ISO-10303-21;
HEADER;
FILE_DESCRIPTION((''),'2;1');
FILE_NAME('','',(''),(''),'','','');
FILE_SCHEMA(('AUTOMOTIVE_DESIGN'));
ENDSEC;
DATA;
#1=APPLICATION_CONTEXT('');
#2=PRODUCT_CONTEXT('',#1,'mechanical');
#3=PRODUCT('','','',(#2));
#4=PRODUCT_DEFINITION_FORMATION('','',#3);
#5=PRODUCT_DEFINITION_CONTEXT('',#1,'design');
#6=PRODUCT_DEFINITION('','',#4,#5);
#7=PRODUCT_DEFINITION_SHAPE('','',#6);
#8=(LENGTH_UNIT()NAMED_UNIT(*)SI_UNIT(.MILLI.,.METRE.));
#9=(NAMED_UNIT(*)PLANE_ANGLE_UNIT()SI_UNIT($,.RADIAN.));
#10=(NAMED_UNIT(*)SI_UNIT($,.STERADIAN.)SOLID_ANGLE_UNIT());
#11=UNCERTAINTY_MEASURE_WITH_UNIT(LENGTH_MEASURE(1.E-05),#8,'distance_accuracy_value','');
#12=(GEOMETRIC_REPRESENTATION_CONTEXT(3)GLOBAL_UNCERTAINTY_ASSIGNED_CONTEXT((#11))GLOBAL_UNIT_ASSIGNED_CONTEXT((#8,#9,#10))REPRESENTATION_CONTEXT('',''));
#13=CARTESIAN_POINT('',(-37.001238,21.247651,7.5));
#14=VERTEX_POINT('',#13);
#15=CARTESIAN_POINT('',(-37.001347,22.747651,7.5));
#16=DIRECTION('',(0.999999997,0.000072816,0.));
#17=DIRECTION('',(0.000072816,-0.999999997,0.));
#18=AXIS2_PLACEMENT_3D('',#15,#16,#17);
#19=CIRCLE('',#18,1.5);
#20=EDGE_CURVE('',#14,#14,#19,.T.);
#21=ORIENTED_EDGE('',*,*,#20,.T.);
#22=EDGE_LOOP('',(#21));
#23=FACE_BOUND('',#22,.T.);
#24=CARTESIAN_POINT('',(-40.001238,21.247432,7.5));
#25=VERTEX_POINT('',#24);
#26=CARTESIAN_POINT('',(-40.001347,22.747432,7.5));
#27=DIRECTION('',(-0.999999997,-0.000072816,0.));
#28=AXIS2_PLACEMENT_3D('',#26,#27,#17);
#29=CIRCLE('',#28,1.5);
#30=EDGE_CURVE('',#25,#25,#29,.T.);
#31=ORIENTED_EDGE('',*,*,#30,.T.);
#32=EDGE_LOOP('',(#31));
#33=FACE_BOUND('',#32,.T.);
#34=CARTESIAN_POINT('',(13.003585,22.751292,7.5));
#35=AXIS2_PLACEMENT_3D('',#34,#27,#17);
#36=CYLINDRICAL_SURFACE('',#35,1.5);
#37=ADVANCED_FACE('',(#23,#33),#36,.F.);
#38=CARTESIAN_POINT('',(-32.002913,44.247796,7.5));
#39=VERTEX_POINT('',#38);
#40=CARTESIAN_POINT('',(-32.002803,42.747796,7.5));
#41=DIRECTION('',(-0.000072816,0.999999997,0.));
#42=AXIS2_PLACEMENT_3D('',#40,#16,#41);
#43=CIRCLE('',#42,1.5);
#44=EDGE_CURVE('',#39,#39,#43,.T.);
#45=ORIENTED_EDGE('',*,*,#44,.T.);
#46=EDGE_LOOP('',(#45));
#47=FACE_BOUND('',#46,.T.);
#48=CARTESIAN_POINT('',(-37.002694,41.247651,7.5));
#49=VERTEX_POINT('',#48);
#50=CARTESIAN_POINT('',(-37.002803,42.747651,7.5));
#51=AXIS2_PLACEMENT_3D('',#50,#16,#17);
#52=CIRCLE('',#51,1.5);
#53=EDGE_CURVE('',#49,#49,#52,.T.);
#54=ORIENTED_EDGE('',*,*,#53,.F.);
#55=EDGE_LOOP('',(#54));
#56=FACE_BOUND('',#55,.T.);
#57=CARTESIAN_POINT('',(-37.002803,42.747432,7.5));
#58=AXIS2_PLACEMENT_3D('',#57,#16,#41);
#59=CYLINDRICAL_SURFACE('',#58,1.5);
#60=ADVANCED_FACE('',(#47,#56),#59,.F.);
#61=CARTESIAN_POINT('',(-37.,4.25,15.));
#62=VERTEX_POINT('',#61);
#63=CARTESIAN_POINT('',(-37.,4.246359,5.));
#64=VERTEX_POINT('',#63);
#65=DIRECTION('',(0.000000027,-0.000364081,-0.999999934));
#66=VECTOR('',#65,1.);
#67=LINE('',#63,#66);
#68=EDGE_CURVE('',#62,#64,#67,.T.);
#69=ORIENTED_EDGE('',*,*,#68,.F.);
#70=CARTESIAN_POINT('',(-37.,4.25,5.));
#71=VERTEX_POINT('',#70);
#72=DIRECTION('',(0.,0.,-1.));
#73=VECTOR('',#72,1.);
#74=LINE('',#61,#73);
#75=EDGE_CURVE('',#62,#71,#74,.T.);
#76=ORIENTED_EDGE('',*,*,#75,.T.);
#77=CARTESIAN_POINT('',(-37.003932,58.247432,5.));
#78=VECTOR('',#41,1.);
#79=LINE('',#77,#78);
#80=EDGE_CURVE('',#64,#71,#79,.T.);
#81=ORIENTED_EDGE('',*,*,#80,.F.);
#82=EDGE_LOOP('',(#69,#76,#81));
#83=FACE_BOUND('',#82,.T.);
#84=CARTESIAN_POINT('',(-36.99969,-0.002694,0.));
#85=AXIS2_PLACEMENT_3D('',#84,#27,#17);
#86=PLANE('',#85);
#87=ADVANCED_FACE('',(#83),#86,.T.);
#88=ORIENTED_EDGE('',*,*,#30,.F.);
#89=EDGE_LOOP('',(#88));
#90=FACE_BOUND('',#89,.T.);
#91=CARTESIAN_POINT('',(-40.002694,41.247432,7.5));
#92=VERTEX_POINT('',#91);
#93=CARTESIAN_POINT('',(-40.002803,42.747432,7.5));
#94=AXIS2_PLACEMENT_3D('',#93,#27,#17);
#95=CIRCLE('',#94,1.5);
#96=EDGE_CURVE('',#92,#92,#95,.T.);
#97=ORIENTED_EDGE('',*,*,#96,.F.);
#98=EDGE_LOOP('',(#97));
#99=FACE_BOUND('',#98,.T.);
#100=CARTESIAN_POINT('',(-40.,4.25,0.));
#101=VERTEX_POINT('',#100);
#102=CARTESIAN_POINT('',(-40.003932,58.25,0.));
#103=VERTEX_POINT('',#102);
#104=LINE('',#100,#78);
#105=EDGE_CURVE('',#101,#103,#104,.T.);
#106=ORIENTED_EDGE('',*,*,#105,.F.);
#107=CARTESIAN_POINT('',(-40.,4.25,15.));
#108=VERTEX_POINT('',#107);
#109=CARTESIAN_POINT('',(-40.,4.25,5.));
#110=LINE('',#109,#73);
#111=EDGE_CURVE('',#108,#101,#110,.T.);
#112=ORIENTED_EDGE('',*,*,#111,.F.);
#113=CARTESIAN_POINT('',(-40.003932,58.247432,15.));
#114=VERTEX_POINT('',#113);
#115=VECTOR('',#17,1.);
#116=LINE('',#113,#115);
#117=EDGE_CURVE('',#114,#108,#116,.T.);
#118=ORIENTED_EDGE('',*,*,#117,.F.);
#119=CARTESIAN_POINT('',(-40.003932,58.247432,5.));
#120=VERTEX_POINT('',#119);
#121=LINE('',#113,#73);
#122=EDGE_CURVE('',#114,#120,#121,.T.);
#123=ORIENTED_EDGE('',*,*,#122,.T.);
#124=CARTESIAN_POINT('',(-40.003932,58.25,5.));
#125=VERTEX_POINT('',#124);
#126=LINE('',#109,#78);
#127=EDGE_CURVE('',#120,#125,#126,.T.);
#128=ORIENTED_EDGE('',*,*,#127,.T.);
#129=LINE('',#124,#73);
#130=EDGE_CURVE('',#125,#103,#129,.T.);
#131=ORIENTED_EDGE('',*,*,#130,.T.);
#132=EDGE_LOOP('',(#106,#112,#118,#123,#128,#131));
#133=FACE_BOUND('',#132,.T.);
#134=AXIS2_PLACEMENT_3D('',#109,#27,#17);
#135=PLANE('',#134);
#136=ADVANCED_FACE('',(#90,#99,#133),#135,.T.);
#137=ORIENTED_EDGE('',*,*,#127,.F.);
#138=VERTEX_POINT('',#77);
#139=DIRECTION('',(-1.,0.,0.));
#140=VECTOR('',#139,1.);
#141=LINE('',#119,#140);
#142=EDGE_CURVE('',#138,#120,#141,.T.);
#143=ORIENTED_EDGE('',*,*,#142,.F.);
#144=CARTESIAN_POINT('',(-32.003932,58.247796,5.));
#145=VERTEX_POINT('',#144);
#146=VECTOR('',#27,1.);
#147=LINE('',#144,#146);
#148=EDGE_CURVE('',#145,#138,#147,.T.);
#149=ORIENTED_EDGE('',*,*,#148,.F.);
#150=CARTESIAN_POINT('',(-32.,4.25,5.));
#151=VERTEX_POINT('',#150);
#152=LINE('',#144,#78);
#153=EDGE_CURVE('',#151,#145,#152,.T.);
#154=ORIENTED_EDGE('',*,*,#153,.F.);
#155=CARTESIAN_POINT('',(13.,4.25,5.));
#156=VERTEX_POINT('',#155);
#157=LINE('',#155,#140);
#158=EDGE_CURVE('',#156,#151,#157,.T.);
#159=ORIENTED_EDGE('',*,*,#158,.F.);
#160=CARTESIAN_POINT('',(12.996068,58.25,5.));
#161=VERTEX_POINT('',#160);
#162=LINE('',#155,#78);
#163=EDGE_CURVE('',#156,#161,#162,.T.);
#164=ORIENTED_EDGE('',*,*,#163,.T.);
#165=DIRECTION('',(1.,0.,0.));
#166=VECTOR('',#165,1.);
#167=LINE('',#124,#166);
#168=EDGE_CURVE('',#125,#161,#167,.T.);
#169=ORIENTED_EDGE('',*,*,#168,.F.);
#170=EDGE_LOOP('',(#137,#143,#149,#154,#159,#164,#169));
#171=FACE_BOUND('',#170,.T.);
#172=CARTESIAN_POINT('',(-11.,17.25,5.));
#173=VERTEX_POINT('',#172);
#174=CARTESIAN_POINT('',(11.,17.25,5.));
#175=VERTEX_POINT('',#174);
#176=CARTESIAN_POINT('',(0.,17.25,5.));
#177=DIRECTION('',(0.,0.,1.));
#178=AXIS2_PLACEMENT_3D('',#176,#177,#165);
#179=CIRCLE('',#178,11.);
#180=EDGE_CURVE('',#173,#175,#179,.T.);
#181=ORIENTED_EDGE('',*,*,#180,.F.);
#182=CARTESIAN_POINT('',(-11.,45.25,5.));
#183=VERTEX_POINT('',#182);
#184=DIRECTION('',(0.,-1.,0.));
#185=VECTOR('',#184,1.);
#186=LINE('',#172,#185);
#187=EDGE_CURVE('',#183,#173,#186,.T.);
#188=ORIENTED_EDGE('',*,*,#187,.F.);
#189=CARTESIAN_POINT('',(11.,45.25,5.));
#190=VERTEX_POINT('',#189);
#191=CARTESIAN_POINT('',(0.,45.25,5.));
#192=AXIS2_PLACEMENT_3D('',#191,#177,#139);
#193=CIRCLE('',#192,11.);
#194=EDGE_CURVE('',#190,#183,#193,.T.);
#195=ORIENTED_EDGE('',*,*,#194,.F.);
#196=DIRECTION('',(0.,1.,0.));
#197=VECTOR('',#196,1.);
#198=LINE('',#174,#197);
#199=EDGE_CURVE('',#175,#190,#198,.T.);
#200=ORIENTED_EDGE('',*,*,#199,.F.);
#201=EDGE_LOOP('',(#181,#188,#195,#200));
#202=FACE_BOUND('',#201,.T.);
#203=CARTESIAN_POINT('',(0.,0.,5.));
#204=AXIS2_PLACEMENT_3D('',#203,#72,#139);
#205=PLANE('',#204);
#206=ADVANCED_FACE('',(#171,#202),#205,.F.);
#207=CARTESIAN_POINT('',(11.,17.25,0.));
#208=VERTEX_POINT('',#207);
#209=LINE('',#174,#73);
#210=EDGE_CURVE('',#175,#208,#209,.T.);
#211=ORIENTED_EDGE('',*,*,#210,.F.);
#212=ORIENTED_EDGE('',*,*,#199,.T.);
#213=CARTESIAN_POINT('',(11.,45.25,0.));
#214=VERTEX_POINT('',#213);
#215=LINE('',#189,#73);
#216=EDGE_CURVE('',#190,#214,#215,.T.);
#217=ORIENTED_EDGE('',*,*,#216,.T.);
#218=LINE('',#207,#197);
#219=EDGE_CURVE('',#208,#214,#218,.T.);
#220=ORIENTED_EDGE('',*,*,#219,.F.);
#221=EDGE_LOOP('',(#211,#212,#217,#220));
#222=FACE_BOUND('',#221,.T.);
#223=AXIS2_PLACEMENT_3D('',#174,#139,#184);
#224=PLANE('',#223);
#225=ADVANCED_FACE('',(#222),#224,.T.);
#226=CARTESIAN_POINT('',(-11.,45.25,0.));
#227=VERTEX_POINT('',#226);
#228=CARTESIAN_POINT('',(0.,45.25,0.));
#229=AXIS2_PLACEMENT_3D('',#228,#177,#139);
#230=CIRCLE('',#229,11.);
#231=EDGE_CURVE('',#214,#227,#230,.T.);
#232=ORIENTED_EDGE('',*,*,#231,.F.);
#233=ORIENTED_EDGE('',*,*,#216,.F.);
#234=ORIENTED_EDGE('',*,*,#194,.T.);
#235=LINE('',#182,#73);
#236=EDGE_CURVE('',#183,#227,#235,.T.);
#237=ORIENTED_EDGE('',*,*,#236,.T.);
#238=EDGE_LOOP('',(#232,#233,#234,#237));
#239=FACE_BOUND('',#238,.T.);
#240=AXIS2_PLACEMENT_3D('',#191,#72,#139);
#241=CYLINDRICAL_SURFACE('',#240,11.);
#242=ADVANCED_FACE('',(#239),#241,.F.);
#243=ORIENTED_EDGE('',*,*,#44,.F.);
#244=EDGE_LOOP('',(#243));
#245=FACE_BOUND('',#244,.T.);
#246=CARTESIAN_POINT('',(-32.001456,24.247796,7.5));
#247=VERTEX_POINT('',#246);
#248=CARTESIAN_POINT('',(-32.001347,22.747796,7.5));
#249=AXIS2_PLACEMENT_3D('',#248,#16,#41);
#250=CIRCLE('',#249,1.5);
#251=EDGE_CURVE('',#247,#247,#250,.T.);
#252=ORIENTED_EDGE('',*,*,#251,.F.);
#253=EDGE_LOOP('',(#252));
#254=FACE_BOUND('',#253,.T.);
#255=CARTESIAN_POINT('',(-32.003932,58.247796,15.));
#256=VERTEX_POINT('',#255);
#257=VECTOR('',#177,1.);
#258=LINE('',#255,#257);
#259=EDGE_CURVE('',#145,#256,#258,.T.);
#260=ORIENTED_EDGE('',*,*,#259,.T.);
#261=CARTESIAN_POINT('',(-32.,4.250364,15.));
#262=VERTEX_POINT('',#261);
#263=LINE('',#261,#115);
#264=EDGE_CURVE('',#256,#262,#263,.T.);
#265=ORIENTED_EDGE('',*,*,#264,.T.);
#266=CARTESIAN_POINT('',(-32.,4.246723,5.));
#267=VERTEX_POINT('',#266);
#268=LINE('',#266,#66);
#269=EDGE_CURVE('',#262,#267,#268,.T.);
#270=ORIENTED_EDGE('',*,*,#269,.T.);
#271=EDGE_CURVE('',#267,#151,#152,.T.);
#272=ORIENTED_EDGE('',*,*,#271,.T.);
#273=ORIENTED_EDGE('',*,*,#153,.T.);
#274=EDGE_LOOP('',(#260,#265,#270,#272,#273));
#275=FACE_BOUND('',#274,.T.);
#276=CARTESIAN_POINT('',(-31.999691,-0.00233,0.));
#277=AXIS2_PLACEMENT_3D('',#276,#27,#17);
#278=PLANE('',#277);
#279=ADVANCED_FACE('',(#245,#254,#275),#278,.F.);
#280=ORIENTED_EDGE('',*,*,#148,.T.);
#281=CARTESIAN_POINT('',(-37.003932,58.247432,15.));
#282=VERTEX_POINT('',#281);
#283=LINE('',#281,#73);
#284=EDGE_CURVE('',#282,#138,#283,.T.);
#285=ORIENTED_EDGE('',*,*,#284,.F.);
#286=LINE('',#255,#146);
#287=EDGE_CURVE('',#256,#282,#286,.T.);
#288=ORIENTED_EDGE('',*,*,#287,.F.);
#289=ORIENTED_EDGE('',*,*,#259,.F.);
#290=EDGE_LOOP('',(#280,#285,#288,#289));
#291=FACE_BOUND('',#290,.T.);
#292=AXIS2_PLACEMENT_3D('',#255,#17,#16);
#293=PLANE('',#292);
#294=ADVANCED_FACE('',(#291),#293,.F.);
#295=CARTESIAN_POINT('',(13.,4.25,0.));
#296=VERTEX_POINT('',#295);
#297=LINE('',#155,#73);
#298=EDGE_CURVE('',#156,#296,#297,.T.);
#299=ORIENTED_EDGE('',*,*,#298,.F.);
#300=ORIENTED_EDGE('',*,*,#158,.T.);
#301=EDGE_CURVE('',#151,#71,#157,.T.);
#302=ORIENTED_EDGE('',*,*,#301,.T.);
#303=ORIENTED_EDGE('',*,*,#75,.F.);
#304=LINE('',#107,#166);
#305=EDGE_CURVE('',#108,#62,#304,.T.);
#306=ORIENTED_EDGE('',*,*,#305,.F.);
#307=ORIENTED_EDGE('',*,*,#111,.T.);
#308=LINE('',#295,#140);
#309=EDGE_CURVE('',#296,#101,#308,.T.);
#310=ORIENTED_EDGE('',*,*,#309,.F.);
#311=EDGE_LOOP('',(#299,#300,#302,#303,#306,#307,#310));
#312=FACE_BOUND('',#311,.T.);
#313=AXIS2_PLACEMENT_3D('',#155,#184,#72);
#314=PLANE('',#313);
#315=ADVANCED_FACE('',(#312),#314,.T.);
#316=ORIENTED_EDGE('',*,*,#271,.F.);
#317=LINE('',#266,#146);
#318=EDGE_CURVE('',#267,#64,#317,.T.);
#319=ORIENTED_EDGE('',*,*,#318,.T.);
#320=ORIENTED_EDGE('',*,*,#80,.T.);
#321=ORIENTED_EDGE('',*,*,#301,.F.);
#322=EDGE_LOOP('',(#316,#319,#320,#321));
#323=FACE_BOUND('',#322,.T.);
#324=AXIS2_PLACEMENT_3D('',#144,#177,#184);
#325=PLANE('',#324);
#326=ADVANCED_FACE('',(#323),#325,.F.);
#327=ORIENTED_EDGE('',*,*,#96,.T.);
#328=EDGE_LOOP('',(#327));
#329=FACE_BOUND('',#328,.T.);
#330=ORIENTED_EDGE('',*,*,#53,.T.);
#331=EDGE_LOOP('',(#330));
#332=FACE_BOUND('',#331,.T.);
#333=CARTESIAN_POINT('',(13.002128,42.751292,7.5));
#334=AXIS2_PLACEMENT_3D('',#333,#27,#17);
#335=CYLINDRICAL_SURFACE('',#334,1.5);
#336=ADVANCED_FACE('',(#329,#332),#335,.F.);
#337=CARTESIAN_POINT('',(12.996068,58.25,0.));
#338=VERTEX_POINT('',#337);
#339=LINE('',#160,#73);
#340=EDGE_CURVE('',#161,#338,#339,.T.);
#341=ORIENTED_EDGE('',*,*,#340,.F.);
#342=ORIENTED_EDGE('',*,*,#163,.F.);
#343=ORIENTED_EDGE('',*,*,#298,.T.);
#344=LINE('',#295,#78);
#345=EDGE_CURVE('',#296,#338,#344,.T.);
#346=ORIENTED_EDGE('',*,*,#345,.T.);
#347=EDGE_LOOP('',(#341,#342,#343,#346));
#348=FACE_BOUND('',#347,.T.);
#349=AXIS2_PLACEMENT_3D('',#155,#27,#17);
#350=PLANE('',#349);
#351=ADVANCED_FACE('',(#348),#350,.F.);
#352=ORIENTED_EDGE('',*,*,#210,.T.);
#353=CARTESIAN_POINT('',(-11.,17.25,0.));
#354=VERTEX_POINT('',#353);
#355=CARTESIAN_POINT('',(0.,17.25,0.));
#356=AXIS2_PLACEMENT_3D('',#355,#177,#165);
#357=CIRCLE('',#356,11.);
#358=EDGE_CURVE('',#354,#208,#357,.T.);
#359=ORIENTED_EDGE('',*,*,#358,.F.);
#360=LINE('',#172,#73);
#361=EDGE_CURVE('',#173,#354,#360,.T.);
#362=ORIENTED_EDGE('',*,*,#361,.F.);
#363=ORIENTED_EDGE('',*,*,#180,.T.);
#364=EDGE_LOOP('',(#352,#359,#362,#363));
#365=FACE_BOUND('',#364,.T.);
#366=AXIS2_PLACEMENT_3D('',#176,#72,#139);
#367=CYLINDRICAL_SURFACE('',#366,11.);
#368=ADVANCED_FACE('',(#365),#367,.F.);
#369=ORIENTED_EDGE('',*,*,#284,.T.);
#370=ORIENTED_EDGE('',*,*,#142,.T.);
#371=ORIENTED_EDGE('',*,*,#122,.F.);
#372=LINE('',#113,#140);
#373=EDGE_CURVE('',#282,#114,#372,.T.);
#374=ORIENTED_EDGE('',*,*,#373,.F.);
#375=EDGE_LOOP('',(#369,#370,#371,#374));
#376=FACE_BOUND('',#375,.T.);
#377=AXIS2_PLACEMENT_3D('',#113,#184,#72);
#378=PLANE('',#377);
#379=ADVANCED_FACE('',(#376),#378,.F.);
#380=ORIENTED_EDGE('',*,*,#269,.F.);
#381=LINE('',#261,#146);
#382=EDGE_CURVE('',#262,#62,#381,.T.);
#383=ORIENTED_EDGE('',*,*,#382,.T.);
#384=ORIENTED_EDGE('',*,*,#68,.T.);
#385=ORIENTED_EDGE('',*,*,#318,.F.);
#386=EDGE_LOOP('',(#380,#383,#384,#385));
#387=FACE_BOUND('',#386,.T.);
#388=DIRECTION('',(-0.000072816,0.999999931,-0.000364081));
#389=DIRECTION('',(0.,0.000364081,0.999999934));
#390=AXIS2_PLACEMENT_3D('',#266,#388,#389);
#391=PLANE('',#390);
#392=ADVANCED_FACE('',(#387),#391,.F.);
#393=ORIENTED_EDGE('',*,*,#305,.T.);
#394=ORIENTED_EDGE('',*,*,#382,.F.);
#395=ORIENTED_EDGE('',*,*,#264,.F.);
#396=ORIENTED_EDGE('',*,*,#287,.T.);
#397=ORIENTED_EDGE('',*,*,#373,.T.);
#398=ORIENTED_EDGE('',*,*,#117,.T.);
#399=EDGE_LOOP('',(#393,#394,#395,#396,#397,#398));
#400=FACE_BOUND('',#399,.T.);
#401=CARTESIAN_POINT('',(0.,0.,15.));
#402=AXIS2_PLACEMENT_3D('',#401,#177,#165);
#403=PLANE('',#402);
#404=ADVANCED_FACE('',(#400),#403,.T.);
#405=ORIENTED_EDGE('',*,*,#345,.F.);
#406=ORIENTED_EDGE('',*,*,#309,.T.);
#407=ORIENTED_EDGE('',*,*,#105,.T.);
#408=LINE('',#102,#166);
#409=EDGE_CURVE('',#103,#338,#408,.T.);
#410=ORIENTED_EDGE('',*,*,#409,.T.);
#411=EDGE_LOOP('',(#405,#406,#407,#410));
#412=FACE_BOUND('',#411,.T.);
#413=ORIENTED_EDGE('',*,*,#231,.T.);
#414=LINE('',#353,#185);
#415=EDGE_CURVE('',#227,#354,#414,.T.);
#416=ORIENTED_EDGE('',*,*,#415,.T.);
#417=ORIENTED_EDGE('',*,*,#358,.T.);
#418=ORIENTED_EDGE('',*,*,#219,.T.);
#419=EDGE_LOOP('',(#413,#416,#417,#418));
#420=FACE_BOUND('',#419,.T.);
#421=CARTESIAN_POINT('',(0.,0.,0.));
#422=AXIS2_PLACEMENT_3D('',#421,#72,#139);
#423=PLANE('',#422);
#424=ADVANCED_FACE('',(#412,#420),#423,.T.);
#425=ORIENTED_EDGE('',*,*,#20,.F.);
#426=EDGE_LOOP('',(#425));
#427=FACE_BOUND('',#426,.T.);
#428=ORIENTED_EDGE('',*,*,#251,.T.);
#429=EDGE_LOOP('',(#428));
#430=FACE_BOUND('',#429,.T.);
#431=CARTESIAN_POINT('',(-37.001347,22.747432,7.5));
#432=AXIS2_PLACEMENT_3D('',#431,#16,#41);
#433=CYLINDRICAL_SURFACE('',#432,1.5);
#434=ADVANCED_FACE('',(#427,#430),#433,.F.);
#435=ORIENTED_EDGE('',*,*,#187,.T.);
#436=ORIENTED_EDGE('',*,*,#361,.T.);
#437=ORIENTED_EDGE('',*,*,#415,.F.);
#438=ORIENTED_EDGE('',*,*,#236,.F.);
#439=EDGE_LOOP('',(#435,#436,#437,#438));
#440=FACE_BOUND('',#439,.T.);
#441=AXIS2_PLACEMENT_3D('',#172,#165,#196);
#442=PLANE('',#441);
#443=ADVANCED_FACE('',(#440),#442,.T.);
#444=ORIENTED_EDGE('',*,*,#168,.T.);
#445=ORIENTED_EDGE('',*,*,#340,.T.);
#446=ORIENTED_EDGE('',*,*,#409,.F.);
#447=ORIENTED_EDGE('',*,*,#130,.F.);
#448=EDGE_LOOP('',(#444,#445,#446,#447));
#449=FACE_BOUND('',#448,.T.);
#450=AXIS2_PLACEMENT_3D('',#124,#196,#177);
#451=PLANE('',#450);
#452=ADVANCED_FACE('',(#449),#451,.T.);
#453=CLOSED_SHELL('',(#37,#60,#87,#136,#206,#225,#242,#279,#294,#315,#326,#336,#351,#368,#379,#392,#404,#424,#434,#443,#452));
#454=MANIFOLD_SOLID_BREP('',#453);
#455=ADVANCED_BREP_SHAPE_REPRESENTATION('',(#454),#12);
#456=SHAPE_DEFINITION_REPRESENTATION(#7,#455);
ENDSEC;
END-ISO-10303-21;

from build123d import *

# Parameters (mm, degrees)
EXTRUDE_1_DEPTH      = 5
CUT_EXTRUDE_11_DEPTH = 5
EXTRUDE_2_DEPTH      = 10
CUT_EXTRUDE_12_REACH = 82.171
SKETCH_5_R           = 1.5
EXTRUDE_3_DEPTH      = 5
SKETCH_7_R           = 1.5
CUT_EXTRUDE_13_DEPTH = 5


with BuildPart() as part:
    # 草图2 → 凸台-拉伸1 (new body)
    with BuildSketch(Plane.XY):
        Polygon((12.999999835, 4.25), (-40.000000165, 4.25), (-40.003932239, 58.249999857), (12.996067761, 58.249999857), align=None)
    extrude(amount=EXTRUDE_1_DEPTH)

    # 草图3 → 切除-拉伸11 (cut)
    with BuildSketch(Plane.XY):
        with BuildLine():
            Line((-11, 17.25), (-11, 45.25))
            ThreePointArc((-11, 45.25), (0, 56.25), (11, 45.25))
            Line((11, 45.25), (11, 17.25))
            ThreePointArc((11, 17.25), (0, 6.25), (-11, 17.25))
        make_face()
    extrude(amount=CUT_EXTRUDE_11_DEPTH, mode=Mode.SUBTRACT)

    # 草图4 → 凸台-拉伸2 (add)
    with BuildSketch(Plane.XY.offset(5)):
        Polygon((-40.000000165, 4.25), (-37.000000165, 4.25), (-37.003932052, 58.247432028), (-40.003932052, 58.247432028), align=None)
    extrude(amount=EXTRUDE_2_DEPTH)

    # 草图5 → 切除-拉伸12 (cut, up to next)
    with BuildSketch(Plane(origin=(-39.999690484, -0.002912625, 0), x_dir=(0, 0, 1), z_dir=(-0.9999999973489005, -7.281619930679468e-05, 0)), mode=Mode.PRIVATE) as cut_extrude_12_sk1:
        with Locations(Location((7.5, 42.750344808, 0), (0, 0, 270))):
            Circle(SKETCH_5_R)
    cut_extrude_12_tool1 = extrude(cut_extrude_12_sk1.sketch, amount=-CUT_EXTRUDE_12_REACH, mode=Mode.PRIVATE) & part.part
    # 草图5 → 切除-拉伸12 (cut, up to next)
    with BuildSketch(Plane(origin=(-39.999690484, -0.002912625, 0), x_dir=(0, 0, 1), z_dir=(-0.9999999973489005, -7.281619930679468e-05, 0)), mode=Mode.PRIVATE) as cut_extrude_12_sk2:
        with Locations(Location((7.5, 22.750344808, 0), (0, 0, 270))):
            Circle(SKETCH_5_R)
    cut_extrude_12_tool2 = extrude(cut_extrude_12_sk2.sketch, amount=-CUT_EXTRUDE_12_REACH, mode=Mode.PRIVATE) & part.part
    add(cut_extrude_12_tool1.solids().sort_by_distance((-40.002803, 42.747432, 7.5))[0], mode=Mode.SUBTRACT)
    add(cut_extrude_12_tool2.solids().sort_by_distance((-40.001347, 22.747432, 7.5))[0], mode=Mode.SUBTRACT)

    # 草图6 → 凸台-拉伸3 (add)
    with BuildSketch(Plane(origin=(-36.9996905, -0.002694177, 0), x_dir=(0, 0, -1), z_dir=(0.9999999973489007, 7.281619931373636e-05, 0))):
        Polygon((-15, 58.25012636), (-5, 58.25012636), (-5, 4.249053378), (-15, 4.252694188), align=None)
    extrude(amount=EXTRUDE_3_DEPTH)

    # 草图7 → 切除-拉伸13 (cut)
    with BuildSketch(Plane(origin=(-31.999690513, -0.002330096, 0), x_dir=(0, 0, -1), z_dir=(0.9999999973489007, 7.281619931373636e-05, 0))):
        with Locations(Location((-7.5, 42.75012636, 0), (0, 0, 90))):
            Circle(SKETCH_7_R)
        with Locations(Location((-7.5, 22.75012636, 0), (0, 0, 90))):
            Circle(SKETCH_7_R)
    extrude(amount=-CUT_EXTRUDE_13_DEPTH, mode=Mode.SUBTRACT)


solid = part.part
